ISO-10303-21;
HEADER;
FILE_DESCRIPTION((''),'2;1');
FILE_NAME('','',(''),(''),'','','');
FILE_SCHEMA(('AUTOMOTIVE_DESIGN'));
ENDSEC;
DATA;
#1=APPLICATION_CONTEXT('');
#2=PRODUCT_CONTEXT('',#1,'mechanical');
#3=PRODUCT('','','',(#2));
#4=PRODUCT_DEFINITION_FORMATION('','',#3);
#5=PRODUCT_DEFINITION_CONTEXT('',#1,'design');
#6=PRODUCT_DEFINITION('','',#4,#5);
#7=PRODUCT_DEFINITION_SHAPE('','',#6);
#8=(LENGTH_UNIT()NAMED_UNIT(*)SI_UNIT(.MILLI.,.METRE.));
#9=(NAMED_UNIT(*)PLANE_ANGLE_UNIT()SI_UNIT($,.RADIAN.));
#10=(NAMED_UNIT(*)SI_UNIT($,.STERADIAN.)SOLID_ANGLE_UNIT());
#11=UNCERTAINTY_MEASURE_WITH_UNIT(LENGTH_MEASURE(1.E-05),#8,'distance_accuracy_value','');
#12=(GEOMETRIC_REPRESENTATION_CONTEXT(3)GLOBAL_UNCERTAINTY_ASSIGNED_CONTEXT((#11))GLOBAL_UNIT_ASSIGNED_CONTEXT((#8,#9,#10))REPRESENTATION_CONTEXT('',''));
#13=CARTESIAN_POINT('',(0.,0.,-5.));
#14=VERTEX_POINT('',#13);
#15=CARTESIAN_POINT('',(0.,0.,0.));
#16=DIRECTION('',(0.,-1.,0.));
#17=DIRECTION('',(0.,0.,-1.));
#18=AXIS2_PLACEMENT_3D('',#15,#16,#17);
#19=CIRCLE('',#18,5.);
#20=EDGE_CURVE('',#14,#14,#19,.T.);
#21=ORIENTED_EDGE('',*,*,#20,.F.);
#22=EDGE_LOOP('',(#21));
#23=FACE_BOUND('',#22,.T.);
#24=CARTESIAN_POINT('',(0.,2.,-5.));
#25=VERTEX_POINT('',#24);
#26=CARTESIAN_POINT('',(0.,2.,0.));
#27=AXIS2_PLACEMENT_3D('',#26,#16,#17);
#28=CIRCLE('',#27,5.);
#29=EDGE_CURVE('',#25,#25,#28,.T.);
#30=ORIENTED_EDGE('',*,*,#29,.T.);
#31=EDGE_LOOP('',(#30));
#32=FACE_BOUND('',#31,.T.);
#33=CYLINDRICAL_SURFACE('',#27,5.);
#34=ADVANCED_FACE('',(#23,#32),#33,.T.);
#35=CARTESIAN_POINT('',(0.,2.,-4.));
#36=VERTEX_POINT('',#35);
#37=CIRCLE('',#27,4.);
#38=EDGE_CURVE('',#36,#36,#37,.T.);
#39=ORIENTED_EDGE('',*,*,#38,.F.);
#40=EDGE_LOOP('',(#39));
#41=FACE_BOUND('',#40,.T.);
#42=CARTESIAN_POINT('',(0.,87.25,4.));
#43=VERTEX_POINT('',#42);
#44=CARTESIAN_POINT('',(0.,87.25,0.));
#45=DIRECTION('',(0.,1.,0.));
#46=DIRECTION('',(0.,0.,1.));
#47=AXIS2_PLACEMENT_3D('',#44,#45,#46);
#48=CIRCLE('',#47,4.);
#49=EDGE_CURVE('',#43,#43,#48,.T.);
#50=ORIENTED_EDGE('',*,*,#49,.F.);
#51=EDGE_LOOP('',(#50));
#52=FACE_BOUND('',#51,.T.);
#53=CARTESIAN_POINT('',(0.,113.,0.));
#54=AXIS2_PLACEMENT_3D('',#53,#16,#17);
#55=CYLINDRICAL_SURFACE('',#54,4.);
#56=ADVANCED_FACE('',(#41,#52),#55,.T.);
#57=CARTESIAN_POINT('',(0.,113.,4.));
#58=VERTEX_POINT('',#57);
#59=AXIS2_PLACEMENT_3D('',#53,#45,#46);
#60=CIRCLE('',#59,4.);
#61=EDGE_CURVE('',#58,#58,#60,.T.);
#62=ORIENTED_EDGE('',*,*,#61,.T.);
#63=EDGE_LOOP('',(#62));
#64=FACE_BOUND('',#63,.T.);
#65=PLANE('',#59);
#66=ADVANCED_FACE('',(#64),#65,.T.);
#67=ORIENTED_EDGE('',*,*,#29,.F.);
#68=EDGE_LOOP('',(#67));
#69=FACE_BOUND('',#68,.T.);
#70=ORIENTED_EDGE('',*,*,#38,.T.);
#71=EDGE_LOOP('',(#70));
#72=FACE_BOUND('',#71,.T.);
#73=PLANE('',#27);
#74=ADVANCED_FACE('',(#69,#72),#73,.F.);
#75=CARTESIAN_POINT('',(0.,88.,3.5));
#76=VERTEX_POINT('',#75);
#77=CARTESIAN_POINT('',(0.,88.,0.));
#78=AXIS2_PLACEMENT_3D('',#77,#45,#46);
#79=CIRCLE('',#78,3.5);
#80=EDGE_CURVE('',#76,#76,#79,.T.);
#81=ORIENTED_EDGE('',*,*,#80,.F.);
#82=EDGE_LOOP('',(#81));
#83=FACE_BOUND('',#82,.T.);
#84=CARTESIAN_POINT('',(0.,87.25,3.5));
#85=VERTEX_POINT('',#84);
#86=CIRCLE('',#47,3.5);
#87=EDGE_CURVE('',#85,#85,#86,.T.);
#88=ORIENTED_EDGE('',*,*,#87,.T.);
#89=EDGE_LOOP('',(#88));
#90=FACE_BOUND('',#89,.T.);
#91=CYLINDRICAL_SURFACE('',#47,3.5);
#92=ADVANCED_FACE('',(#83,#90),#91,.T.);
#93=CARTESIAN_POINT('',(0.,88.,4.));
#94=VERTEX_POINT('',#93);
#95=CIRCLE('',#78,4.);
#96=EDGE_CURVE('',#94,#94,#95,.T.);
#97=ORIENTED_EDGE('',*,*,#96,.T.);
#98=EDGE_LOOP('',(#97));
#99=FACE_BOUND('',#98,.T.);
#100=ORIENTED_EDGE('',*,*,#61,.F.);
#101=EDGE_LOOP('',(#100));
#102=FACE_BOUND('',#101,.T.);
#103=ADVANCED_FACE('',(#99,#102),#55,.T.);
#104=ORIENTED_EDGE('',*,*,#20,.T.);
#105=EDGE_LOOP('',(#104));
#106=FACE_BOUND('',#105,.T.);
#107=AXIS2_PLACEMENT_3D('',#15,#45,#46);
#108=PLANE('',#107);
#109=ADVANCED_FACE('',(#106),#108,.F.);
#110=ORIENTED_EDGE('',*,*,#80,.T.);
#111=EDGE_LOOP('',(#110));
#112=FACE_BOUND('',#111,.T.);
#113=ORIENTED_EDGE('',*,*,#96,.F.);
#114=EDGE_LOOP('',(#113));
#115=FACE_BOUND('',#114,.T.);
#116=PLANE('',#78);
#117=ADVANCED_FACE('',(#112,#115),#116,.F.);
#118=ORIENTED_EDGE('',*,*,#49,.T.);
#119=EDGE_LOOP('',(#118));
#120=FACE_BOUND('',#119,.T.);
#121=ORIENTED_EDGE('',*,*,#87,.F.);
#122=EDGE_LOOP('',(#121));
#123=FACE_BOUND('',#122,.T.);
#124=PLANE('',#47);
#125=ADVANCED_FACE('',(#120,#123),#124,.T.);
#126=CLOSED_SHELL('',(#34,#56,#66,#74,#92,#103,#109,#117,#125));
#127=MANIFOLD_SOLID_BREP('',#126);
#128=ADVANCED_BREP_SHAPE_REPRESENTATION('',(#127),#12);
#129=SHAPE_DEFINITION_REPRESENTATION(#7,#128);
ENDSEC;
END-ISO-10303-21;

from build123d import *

# Parameters (mm, degrees)
SKETCH1_R           = 4
BOSS_EXTRUDE1_DEPTH = 113
CUT_EXTRUDE1_START  = -0.75
SKETCH2_R           = 4
SKETCH2_R_2         = 3.5
CUT_EXTRUDE1_DEPTH  = 0.75
SKETCH3_R           = 5
BOSS_EXTRUDE2_DEPTH = 2


with BuildPart() as part:
    # Sketch1 → Boss-Extrude1 (new body)
    with BuildSketch(Plane(origin=(0, 0, 0), x_dir=(1, 0, 0), z_dir=(0, 1, 0))):
        with Locations(Location((0, 0, 0), (0, 0, 270))):
            Circle(SKETCH1_R)
    extrude(amount=BOSS_EXTRUDE1_DEPTH)

    # Sketch2 → Cut-Extrude1 (cut)
    with BuildSketch(Plane(origin=(0, 88, 0), x_dir=(1, 0, 0), z_dir=(0, 1, 0)).offset(CUT_EXTRUDE1_START)):
        with Locations(Location((0, 0, 0), (0, 0, 270))):
            Circle(SKETCH2_R)
        with Locations(Location((0, 0, 0), (0, 0, 270))):
            Circle(SKETCH2_R_2, mode=Mode.SUBTRACT)
    extrude(amount=CUT_EXTRUDE1_DEPTH, mode=Mode.SUBTRACT)

    # Sketch3 → Boss-Extrude2 (add)
    with BuildSketch(Plane(origin=(0, 0, 0), x_dir=(-1, 0, 0), z_dir=(0, -1, 0))):
        with Locations(Location((0, 0, 0), (0, 0, 90))):
            Circle(SKETCH3_R)
    extrude(amount=-BOSS_EXTRUDE2_DEPTH)


solid = part.part
